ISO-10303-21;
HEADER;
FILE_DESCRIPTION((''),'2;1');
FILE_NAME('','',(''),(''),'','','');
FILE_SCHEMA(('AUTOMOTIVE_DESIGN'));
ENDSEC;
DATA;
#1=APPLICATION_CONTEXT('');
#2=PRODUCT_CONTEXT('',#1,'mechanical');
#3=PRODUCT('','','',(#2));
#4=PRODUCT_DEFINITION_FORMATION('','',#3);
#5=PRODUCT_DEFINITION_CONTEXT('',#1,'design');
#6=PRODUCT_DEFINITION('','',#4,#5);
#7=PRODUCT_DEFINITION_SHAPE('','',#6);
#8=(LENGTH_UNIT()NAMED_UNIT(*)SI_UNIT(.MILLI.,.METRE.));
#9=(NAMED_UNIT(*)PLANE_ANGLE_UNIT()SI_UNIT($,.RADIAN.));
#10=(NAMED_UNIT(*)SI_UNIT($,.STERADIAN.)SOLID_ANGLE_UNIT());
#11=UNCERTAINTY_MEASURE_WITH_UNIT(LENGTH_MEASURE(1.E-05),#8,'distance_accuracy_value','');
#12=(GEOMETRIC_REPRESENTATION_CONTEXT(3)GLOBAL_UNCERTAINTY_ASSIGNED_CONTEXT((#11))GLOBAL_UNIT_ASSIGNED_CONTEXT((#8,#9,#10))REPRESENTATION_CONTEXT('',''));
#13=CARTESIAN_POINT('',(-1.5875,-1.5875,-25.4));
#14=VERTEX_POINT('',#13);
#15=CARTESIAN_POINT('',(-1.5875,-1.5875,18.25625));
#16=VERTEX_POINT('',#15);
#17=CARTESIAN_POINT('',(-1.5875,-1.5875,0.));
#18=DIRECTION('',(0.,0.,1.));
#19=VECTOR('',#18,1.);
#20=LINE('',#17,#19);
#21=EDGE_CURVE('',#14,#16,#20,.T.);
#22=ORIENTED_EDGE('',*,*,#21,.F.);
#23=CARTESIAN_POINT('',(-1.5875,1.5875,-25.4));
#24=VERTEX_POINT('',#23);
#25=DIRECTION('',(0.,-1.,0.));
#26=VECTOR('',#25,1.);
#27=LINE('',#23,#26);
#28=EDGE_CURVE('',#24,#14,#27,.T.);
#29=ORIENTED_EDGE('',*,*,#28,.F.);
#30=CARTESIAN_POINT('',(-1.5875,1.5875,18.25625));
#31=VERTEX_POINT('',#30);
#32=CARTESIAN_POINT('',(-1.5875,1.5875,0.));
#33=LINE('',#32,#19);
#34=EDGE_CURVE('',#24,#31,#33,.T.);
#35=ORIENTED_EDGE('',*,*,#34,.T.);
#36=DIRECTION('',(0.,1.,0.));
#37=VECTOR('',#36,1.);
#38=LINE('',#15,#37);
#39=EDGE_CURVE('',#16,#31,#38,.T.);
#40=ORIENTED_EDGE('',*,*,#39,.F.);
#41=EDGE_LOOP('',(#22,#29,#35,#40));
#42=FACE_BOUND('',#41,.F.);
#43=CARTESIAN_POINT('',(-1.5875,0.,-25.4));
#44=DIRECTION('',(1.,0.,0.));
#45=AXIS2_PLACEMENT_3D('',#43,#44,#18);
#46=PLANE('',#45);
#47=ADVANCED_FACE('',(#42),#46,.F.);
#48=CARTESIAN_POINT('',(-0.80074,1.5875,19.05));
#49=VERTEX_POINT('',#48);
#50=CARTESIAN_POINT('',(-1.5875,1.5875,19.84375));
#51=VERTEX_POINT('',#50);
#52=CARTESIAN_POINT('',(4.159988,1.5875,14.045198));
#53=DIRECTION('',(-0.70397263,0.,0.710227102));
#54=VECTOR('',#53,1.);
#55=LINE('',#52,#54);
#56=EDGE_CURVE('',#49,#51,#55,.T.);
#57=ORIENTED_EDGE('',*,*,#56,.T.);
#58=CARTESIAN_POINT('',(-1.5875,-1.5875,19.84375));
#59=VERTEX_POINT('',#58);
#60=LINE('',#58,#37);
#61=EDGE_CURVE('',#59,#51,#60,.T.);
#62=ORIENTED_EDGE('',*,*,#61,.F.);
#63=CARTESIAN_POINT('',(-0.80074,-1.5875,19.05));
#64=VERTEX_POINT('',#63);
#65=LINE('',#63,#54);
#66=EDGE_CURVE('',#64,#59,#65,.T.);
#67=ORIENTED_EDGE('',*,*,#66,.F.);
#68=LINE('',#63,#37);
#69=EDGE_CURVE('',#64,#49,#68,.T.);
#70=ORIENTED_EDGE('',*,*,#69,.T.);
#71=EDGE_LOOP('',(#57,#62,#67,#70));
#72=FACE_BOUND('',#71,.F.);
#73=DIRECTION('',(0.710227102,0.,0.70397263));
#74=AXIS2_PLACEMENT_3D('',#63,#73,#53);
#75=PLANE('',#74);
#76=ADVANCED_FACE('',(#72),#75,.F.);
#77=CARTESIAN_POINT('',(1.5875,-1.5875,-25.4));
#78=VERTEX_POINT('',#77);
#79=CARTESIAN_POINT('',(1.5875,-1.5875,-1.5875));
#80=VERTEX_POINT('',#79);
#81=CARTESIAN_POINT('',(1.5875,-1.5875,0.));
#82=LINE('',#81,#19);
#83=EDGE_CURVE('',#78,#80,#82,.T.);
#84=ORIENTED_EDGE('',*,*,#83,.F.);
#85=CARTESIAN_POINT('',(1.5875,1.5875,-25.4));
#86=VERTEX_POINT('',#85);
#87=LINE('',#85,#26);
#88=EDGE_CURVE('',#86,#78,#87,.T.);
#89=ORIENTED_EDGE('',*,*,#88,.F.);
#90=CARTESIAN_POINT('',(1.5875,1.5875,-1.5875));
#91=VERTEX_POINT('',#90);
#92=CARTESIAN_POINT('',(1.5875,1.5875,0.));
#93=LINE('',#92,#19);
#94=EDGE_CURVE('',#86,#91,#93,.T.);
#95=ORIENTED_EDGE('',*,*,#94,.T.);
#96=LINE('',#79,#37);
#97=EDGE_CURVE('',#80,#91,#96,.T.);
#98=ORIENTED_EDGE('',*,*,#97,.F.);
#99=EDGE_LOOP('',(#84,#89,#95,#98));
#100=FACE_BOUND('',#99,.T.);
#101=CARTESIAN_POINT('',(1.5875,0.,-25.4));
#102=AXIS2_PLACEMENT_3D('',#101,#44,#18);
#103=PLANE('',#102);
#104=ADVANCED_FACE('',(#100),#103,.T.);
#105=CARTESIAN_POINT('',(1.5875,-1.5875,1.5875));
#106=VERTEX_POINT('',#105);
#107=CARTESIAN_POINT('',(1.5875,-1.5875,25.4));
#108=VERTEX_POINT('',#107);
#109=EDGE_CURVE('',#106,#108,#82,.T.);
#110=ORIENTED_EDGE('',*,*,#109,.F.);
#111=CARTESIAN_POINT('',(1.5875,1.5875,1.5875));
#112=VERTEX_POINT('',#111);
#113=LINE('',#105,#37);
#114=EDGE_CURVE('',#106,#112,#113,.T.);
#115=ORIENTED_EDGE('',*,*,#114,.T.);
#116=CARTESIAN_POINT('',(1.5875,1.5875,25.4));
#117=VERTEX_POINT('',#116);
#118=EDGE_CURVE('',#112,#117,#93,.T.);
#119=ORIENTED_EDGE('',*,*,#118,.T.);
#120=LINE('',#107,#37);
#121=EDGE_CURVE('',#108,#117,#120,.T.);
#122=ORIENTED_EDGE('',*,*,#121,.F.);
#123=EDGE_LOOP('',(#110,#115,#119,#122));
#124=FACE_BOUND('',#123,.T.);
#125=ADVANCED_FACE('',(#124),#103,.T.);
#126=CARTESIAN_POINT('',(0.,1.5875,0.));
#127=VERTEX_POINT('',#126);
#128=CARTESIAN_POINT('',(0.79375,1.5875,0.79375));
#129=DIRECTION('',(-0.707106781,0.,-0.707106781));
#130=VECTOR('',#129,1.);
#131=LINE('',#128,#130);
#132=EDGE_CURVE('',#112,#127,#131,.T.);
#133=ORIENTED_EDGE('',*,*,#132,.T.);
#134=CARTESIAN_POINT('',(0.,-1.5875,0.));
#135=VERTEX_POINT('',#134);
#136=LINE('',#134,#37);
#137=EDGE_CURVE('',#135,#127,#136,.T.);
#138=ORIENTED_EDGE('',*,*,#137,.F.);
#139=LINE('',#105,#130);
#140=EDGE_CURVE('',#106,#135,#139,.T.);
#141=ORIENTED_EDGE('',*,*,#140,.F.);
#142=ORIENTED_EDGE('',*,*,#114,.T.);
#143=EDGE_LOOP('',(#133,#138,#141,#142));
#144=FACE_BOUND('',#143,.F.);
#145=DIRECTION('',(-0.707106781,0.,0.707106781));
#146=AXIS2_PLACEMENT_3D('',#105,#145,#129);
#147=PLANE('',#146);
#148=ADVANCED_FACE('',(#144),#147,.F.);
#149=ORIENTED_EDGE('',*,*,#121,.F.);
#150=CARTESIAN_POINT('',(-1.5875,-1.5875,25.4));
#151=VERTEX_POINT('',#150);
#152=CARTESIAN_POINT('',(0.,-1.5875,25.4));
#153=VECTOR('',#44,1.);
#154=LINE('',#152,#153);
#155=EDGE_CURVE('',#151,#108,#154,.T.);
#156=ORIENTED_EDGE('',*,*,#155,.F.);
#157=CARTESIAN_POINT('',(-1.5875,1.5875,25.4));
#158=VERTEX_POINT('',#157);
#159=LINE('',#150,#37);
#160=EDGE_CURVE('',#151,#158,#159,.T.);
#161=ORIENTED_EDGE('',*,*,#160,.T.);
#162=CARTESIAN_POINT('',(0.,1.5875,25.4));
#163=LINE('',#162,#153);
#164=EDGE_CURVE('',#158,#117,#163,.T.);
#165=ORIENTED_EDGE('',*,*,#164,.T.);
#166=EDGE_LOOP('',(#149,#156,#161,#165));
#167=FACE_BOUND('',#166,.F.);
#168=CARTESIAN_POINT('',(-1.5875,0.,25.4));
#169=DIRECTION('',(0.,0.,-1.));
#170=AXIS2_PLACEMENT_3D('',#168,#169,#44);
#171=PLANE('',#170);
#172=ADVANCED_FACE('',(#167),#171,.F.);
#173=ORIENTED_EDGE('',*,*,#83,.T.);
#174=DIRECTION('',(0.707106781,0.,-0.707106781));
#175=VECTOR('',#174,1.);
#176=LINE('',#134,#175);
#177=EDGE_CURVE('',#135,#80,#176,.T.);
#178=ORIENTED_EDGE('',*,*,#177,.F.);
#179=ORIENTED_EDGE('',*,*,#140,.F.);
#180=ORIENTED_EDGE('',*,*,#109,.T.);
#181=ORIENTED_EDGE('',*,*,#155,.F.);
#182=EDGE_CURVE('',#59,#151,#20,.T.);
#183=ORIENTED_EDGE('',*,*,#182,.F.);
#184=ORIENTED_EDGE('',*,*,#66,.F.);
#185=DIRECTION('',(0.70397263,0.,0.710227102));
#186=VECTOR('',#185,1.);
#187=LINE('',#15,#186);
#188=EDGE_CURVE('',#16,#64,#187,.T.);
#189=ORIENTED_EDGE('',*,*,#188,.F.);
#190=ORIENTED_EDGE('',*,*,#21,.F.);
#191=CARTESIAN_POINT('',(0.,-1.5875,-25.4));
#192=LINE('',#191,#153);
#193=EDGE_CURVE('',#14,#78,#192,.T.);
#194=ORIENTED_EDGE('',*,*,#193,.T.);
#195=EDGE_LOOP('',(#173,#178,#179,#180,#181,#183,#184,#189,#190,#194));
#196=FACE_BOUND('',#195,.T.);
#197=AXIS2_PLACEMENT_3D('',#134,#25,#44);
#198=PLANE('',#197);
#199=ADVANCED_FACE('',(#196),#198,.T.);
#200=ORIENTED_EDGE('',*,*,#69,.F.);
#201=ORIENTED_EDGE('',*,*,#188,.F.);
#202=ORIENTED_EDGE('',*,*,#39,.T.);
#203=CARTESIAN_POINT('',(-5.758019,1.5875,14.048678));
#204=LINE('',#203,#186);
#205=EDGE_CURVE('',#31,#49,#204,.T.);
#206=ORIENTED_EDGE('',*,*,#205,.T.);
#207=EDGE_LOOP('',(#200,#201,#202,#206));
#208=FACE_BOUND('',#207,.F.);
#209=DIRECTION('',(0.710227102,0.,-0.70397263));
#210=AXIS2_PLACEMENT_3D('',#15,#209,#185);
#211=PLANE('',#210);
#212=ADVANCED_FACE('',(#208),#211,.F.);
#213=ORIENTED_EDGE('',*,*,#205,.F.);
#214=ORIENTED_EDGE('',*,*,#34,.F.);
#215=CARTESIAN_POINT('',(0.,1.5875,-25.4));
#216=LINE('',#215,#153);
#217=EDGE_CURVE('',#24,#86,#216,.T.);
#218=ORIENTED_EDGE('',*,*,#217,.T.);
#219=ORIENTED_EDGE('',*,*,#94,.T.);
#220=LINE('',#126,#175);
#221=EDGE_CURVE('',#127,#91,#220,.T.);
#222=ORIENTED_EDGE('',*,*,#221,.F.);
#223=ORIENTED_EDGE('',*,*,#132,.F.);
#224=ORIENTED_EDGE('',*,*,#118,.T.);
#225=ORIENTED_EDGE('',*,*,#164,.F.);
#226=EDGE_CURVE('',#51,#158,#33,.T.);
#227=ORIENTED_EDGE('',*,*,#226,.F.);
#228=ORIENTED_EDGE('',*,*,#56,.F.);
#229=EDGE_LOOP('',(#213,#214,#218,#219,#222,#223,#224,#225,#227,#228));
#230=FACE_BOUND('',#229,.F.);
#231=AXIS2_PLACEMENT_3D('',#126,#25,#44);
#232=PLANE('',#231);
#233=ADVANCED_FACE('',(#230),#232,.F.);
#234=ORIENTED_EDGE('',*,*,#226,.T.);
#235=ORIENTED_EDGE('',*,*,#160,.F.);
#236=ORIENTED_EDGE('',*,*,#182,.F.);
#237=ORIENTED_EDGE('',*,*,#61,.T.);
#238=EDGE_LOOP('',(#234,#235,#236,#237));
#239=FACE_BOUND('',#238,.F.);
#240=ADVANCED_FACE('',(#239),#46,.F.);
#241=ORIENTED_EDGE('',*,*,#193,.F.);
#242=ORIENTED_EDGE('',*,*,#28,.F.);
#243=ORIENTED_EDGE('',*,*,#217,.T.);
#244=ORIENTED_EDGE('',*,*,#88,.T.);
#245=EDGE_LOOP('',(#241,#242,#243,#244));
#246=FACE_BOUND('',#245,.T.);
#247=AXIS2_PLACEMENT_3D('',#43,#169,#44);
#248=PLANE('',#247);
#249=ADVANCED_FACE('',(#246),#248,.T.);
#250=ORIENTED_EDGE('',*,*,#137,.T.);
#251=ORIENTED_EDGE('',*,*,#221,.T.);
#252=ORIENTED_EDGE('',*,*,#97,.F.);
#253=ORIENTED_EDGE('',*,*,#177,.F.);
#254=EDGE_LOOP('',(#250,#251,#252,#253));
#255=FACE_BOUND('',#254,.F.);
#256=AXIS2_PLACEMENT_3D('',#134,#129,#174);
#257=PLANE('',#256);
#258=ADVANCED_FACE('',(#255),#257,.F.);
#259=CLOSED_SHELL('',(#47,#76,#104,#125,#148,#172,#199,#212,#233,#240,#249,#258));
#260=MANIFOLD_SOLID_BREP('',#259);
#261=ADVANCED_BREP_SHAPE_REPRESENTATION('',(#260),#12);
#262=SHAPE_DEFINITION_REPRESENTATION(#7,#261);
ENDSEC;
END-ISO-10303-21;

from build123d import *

# Parameters (mm, degrees)
F0_W     = 3.175
F0_H     = 50.8
F1_DEPTH = 1.5875
F3_DEPTH = 3.176
F5_DEPTH = 3.176
F7_DEPTH = 3.176


with BuildPart() as f1:
    # F0 (on Front) → F1 (new body, symmetric)
    with BuildSketch(Plane.XZ):
        Rectangle(F0_W, F0_H)
    extrude(amount=F1_DEPTH, both=True)

    # F2 (on face) → F3 (cut, through all)
    with BuildSketch(Plane.XZ.offset(1.5875)):
        Polygon((0, 0), (1.5875, 0), (1.5875, 1.5875), align=None)
    extrude(amount=-F3_DEPTH, mode=Mode.SUBTRACT)

    # F4 (on face) → F5 (cut, through all)
    with BuildSketch(Plane.XZ.offset(1.5875)):
        Polygon((1.5875, 0), (0, 0), (1.5875, -1.5875), align=None)
    extrude(amount=-F5_DEPTH, mode=Mode.SUBTRACT)

    # F6 (on face) → F7 (cut, through all)
    with BuildSketch(Plane.XZ.offset(1.5875)):
        Polygon((-1.5875, 18.25625), (-0.80074, 19.05), (-1.5875, 19.84375), align=None)
    extrude(amount=-F7_DEPTH, mode=Mode.SUBTRACT)


solid = f1.part
